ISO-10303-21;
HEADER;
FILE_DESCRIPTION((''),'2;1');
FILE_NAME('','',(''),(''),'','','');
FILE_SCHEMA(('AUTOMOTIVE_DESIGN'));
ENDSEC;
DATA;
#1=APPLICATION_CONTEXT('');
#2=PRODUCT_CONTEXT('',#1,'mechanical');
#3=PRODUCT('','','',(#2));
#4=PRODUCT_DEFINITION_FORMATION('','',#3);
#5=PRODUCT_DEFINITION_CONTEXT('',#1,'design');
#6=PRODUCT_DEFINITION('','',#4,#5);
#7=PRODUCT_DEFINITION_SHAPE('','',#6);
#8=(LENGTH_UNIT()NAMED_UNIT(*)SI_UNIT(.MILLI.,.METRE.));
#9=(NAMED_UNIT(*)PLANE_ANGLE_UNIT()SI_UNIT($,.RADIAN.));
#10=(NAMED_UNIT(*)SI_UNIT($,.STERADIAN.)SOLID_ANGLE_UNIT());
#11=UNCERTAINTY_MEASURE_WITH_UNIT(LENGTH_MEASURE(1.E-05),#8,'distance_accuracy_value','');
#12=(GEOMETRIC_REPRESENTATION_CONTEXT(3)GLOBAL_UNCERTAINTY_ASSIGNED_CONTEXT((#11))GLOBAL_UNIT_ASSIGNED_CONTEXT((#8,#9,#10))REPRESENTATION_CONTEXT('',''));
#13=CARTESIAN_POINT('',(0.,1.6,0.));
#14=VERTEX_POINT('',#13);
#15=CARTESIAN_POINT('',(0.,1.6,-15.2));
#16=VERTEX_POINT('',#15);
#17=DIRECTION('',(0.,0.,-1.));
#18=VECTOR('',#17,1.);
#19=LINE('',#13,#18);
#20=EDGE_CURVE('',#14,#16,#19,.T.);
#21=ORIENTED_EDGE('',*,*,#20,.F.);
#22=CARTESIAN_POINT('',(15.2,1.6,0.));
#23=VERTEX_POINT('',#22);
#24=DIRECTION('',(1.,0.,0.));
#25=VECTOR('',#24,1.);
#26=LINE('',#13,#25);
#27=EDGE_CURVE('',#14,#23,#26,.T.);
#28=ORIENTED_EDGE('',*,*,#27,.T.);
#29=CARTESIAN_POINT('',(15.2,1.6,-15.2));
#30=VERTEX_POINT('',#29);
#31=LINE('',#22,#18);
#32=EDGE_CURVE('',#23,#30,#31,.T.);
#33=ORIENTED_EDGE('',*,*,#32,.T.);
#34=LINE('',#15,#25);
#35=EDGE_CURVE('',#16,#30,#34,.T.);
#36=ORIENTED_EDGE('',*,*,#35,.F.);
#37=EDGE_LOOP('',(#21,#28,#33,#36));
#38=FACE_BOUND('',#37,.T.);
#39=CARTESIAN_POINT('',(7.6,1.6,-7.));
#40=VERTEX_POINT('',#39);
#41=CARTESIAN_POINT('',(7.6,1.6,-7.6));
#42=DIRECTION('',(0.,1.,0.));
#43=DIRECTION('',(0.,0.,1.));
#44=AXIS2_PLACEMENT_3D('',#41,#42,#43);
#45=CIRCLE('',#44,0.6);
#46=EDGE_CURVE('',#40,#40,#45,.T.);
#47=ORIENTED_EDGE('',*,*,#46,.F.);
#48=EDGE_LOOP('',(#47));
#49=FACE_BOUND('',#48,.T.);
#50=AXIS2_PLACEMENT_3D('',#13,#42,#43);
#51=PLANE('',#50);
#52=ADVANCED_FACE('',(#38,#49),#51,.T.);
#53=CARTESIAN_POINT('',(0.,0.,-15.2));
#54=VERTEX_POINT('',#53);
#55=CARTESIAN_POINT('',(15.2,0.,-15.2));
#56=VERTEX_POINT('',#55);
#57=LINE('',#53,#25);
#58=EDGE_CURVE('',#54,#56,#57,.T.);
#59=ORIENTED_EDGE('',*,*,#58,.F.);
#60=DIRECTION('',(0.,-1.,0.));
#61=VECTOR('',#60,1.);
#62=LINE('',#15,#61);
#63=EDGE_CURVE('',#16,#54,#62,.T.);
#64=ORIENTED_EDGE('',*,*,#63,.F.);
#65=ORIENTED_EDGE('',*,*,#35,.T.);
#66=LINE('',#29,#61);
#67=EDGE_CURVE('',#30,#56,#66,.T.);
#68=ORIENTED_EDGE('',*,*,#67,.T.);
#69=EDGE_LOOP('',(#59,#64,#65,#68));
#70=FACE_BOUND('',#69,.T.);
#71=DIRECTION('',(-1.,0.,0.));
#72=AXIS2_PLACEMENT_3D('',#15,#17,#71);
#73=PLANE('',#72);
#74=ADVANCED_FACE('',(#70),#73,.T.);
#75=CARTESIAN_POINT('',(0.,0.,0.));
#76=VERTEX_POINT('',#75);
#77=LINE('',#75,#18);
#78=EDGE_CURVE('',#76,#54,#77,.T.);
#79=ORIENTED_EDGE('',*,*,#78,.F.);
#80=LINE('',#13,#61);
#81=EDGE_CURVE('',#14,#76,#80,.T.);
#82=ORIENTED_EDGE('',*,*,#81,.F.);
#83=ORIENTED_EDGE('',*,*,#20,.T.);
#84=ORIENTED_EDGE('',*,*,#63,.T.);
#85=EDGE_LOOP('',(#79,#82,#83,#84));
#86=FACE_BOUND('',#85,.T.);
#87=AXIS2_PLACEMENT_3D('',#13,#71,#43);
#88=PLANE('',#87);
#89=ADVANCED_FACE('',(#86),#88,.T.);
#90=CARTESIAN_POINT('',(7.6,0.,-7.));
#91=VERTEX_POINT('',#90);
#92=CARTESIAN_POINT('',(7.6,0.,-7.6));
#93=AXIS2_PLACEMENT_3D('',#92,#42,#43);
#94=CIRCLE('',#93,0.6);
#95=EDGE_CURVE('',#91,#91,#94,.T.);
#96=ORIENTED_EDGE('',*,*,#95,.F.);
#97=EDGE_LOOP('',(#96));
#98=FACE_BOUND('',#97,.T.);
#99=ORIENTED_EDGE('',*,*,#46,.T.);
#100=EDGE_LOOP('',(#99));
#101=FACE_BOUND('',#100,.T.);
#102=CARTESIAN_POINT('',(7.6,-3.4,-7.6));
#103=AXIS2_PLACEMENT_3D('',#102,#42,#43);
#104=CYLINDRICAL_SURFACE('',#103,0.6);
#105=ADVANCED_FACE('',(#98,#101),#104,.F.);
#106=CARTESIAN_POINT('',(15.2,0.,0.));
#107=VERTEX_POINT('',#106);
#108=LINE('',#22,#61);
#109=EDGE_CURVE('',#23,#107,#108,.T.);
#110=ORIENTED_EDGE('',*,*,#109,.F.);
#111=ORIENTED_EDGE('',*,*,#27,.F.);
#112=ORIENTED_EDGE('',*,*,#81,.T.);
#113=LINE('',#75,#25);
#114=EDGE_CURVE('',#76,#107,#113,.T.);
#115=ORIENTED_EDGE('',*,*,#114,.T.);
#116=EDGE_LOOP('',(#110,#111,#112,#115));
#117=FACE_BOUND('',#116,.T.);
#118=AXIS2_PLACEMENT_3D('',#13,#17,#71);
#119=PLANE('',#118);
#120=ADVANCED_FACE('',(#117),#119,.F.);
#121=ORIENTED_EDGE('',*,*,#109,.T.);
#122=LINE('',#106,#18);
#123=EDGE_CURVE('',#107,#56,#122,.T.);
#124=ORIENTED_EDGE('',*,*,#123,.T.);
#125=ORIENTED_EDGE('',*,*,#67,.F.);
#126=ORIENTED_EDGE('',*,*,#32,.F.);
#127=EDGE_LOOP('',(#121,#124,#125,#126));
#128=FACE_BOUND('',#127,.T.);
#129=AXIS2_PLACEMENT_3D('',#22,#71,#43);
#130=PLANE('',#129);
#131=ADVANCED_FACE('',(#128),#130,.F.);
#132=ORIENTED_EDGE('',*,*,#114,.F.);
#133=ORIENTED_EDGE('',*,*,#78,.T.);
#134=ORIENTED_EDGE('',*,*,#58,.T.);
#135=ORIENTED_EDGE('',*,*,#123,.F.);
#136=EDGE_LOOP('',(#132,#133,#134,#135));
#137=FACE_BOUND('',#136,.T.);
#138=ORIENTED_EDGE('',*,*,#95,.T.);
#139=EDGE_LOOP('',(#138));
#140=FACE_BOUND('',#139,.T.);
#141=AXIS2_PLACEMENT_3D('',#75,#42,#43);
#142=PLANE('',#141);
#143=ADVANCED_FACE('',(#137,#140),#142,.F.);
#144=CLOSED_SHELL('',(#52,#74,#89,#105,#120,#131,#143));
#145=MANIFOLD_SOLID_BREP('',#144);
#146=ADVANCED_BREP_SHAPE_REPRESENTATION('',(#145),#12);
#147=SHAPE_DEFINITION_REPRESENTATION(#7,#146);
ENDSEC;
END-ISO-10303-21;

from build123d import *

# Parameters (mm, degrees)
SKETCH1_W           = 15.2
SKETCH1_H           = 15.2
BOSS_EXTRUDE1_DEPTH = 1.6
SKETCH2_R           = 0.6
CUT_EXTRUDE1_DEPTH  = 5


with BuildPart() as part:
    # Sketch1 → Boss-Extrude1 (new body)
    with BuildSketch(Plane(origin=(0, 0, 0), x_dir=(1, 0, 0), z_dir=(0, 1, 0))):
        with Locations((7.6, 7.6)):
            Rectangle(SKETCH1_W, SKETCH1_H)
    extrude(amount=BOSS_EXTRUDE1_DEPTH)

    # Sketch2 → Cut-Extrude1 (cut)
    with BuildSketch(Plane(origin=(0, 1.6, 0), x_dir=(1, 0, 0), z_dir=(0, 1, 0))):
        with Locations((7.6, 7.6)):
            Circle(SKETCH2_R)
    extrude(amount=-CUT_EXTRUDE1_DEPTH, mode=Mode.SUBTRACT)


solid = part.part
